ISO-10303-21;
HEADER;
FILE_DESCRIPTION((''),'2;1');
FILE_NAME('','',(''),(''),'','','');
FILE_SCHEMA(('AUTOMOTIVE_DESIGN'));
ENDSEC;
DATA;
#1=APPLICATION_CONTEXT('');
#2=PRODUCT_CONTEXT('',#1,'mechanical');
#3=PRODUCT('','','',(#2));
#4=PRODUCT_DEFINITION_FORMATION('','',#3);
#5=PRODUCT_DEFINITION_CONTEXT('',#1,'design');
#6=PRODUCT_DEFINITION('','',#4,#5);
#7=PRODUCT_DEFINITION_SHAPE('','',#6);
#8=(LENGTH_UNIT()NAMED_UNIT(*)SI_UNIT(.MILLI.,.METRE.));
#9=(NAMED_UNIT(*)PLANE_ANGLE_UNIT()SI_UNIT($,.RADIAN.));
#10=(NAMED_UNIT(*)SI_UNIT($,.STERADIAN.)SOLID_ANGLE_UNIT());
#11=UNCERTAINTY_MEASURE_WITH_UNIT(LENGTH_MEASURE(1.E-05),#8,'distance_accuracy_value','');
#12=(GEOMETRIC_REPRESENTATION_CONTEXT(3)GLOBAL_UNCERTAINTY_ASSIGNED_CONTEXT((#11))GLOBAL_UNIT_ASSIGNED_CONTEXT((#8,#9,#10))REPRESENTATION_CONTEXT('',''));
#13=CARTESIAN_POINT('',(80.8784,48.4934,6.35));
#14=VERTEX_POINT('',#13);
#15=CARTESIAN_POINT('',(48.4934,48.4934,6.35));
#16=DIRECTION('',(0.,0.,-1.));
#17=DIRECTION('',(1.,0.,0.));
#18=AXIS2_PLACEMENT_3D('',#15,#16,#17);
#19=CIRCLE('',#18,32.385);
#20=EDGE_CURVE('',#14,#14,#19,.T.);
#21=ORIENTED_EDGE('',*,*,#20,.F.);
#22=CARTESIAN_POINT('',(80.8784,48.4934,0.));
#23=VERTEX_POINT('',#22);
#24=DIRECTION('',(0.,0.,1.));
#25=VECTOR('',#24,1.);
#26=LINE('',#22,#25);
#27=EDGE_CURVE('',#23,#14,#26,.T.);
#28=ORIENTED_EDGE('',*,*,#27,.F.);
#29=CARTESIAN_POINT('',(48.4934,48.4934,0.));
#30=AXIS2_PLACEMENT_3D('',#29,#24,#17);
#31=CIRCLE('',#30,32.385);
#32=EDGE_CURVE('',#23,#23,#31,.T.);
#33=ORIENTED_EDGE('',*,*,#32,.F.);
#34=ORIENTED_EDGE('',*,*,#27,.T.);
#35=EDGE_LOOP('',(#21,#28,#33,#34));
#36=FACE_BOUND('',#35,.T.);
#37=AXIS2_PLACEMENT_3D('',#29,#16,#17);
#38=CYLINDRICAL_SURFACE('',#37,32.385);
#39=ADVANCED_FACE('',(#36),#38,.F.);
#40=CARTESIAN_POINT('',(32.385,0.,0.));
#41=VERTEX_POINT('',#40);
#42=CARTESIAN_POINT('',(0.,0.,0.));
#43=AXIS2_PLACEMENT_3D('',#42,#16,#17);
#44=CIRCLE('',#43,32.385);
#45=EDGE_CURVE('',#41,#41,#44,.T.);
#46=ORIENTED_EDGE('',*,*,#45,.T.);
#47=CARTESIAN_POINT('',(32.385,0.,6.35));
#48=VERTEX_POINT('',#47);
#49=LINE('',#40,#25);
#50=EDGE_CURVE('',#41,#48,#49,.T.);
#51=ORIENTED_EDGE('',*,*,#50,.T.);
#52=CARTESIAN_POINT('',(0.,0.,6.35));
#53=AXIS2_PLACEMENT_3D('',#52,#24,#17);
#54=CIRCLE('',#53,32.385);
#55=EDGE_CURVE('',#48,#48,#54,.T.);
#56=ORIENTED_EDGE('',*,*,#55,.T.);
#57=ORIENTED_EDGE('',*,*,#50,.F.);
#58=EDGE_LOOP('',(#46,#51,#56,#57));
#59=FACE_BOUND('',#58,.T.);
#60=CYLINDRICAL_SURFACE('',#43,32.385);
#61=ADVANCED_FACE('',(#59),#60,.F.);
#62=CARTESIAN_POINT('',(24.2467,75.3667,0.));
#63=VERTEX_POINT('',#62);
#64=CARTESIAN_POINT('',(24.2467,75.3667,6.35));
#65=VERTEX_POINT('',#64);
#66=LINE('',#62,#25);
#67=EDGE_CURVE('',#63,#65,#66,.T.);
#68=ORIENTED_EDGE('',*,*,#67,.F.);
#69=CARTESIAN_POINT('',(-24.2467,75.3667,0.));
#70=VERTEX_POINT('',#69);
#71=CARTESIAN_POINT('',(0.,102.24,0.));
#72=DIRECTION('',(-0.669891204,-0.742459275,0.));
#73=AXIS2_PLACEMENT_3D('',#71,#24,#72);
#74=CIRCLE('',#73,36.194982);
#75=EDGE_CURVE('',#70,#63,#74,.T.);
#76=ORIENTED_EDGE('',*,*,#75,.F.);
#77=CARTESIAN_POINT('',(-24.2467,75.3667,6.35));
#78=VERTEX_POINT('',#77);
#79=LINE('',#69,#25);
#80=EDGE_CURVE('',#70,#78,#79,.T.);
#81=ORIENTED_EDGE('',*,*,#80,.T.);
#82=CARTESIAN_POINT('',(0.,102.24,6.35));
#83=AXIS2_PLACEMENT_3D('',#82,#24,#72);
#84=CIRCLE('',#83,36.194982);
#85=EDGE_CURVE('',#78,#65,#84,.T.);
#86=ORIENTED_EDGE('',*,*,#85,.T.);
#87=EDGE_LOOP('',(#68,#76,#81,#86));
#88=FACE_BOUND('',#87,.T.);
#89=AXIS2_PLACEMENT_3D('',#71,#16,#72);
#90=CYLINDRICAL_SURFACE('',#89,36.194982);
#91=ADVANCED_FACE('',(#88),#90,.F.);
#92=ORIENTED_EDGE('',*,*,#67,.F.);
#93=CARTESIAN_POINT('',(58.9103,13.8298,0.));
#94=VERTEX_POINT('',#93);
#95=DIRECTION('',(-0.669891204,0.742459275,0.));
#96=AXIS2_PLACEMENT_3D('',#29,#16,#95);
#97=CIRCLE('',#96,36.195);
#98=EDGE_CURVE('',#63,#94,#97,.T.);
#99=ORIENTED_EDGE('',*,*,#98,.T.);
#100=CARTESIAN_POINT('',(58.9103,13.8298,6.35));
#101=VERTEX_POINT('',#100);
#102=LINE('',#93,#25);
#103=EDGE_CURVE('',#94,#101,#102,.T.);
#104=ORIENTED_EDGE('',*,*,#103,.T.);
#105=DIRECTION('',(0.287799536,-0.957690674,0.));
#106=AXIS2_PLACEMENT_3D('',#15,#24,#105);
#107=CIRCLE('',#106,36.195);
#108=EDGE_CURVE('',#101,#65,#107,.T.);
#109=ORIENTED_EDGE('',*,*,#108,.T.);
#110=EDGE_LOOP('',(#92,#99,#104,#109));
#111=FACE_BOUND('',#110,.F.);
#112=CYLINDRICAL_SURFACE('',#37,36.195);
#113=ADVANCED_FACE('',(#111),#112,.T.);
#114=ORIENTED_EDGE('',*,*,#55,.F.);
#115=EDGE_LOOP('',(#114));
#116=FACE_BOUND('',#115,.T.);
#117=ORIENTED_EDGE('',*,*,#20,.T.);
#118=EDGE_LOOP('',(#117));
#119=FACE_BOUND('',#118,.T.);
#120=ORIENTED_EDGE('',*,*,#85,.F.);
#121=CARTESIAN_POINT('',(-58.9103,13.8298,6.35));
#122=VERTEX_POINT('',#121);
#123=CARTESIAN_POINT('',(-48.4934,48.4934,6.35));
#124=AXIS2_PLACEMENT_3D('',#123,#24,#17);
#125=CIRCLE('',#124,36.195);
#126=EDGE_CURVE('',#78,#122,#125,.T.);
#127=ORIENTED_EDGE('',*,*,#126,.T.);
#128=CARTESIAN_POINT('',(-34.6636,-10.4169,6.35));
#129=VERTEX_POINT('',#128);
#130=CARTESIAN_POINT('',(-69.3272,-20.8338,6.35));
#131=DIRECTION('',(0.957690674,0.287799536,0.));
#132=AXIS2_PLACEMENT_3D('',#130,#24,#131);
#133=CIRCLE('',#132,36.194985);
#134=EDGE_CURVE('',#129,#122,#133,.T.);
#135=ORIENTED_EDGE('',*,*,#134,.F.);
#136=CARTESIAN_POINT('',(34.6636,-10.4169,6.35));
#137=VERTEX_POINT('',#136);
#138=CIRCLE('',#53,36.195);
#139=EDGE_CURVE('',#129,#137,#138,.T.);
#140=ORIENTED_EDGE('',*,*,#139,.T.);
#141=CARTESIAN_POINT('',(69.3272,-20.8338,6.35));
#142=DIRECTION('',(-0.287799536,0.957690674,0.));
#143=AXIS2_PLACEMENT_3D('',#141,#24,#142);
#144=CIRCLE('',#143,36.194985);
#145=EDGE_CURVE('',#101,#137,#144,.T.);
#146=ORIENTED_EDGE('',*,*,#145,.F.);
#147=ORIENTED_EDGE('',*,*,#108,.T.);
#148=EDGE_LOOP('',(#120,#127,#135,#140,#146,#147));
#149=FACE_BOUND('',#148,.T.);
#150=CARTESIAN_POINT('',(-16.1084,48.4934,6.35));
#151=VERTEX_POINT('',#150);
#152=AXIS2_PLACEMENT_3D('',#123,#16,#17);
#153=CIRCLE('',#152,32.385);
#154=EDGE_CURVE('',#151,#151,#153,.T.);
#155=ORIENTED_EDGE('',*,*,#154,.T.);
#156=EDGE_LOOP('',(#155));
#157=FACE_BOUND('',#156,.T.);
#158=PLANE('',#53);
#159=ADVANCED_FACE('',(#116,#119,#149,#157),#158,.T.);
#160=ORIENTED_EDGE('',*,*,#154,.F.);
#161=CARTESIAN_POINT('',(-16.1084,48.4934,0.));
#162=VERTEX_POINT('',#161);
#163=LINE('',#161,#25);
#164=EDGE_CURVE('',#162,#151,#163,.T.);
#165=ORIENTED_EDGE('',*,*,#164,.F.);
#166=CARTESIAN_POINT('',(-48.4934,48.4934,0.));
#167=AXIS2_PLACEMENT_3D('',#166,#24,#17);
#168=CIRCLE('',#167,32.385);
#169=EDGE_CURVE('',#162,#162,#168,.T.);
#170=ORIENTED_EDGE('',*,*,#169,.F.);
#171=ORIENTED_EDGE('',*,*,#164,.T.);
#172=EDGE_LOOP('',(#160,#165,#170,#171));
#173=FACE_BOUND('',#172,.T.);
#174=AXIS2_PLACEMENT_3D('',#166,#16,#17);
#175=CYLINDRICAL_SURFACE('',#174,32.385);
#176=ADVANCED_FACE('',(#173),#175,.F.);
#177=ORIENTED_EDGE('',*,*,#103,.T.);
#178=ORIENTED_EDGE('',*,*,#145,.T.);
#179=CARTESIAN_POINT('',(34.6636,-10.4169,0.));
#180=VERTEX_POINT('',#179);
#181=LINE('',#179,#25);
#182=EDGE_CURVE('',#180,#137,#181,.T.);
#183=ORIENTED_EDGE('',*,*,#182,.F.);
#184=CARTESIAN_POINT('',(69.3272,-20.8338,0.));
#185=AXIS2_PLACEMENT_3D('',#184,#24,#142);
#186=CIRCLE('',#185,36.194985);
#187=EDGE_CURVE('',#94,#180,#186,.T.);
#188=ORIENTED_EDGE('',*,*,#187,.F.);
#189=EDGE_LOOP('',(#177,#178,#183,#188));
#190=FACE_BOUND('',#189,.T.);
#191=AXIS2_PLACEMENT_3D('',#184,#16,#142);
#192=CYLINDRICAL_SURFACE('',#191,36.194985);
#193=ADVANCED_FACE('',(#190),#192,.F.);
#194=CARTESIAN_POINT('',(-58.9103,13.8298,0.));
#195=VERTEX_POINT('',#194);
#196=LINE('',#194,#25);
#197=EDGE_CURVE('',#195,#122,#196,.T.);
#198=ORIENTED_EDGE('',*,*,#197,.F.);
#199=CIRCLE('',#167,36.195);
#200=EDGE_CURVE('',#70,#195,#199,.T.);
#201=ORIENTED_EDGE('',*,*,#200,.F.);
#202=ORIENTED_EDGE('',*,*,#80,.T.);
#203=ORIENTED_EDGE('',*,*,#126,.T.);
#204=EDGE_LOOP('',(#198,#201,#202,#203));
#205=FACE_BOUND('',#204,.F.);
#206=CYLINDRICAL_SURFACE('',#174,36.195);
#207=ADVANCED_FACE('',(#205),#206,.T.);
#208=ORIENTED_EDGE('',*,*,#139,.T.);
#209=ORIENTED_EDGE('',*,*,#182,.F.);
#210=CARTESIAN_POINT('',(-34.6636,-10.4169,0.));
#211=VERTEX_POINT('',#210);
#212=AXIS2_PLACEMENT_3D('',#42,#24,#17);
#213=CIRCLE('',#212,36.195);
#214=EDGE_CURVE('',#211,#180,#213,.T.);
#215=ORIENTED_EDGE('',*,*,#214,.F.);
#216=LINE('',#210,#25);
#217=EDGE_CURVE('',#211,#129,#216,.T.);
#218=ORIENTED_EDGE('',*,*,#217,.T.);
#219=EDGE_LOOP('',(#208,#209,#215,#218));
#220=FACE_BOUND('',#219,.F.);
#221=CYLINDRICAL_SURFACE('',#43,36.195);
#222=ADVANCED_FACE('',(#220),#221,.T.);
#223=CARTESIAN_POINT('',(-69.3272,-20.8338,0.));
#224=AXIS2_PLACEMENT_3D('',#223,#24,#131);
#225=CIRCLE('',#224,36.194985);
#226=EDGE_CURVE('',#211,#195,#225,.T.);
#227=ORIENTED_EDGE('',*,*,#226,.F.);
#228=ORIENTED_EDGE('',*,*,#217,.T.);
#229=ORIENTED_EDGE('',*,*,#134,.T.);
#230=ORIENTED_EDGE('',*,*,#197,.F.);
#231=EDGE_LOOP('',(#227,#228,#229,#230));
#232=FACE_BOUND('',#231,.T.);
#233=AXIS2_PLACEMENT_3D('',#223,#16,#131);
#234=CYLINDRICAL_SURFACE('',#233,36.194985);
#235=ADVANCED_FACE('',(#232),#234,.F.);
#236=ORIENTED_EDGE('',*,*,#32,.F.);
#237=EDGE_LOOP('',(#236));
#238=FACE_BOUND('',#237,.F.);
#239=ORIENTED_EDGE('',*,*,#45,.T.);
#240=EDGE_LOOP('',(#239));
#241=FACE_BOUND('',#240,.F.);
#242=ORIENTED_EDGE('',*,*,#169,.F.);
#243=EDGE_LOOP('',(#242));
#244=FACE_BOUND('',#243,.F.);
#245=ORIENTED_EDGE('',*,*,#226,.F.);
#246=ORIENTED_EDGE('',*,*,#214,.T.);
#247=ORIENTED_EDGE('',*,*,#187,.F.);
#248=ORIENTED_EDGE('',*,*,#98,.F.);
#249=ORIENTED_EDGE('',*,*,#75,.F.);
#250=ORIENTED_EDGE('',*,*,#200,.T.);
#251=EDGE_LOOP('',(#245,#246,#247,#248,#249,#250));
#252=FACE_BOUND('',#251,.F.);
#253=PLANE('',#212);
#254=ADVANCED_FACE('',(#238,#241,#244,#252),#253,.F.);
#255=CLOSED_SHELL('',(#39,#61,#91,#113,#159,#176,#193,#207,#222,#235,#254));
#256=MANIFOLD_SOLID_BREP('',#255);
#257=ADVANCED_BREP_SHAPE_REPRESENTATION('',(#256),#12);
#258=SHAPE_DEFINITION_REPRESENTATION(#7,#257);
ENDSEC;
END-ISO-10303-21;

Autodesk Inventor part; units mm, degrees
ref_plane "YZ Plane" through (0, 0, 0) normal (1, 0, 0) x (0, 1, 0)
ref_plane "XZ Plane" through (0, 0, 0) normal (0, 1, 0) x (-1, 0, 0)
ref_plane "XY Plane" through (0, 0, 0) normal (0, 0, 1) x (1, 0, 0)
sketch "Sketch1" plane through (0, 0, 0) normal (0, 0, 1) x (1, 0, 0)
  circle A0 centre (0, 0) radius 32.385
  circle A1 centre (-48.4934, 48.4934) radius 32.385
  circle A2 centre (48.4934, 48.4934) radius 32.385
  circle A3 centre (0, 0) radius 68.58 construction
  line L0 (-48.4934, 48.4934) -> (48.4934, 48.4934) construction
  circle A4 centre (-48.4934, -48.4934) radius 32.385 construction
  circle A5 centre (48.4934, -48.4934) radius 32.385 construction
  line L1 (-48.4934, 48.4934) -> (-48.4934, -48.4934) construction
  circle A6 centre (0, 0) radius 36.195
  circle A7 centre (-48.4934, 48.4934) radius 36.195
  circle A8 centre (48.4934, 48.4934) radius 36.195
  arc A9 (-24.2467, 75.3667) -> (24.2467, 75.3667) centre (0, 102.24) ccw
  arc A10 (-34.6636, -10.4169) -> (-58.9103, 13.8298) centre (-69.3272, -20.8338) ccw
  arc A11 (58.9103, 13.8298) -> (34.6636, -10.4169) centre (69.3272, -20.8338) ccw
  dimension "d0" = 137.16
  dimension "d1" = 64.77
extrude "Extrusion1" add sketch "Sketch1" along normal blind 6.35 contours A0 A8 A6 A7 | A0 A7 A6 A8 | A8 A6 | A7 A6 | A8 A6 | A6 A7 A9 A8 | A8 A11 A6 | A7 A6 | A6 A10 A7
properties part number "Flywheel Gearbox Holder"
